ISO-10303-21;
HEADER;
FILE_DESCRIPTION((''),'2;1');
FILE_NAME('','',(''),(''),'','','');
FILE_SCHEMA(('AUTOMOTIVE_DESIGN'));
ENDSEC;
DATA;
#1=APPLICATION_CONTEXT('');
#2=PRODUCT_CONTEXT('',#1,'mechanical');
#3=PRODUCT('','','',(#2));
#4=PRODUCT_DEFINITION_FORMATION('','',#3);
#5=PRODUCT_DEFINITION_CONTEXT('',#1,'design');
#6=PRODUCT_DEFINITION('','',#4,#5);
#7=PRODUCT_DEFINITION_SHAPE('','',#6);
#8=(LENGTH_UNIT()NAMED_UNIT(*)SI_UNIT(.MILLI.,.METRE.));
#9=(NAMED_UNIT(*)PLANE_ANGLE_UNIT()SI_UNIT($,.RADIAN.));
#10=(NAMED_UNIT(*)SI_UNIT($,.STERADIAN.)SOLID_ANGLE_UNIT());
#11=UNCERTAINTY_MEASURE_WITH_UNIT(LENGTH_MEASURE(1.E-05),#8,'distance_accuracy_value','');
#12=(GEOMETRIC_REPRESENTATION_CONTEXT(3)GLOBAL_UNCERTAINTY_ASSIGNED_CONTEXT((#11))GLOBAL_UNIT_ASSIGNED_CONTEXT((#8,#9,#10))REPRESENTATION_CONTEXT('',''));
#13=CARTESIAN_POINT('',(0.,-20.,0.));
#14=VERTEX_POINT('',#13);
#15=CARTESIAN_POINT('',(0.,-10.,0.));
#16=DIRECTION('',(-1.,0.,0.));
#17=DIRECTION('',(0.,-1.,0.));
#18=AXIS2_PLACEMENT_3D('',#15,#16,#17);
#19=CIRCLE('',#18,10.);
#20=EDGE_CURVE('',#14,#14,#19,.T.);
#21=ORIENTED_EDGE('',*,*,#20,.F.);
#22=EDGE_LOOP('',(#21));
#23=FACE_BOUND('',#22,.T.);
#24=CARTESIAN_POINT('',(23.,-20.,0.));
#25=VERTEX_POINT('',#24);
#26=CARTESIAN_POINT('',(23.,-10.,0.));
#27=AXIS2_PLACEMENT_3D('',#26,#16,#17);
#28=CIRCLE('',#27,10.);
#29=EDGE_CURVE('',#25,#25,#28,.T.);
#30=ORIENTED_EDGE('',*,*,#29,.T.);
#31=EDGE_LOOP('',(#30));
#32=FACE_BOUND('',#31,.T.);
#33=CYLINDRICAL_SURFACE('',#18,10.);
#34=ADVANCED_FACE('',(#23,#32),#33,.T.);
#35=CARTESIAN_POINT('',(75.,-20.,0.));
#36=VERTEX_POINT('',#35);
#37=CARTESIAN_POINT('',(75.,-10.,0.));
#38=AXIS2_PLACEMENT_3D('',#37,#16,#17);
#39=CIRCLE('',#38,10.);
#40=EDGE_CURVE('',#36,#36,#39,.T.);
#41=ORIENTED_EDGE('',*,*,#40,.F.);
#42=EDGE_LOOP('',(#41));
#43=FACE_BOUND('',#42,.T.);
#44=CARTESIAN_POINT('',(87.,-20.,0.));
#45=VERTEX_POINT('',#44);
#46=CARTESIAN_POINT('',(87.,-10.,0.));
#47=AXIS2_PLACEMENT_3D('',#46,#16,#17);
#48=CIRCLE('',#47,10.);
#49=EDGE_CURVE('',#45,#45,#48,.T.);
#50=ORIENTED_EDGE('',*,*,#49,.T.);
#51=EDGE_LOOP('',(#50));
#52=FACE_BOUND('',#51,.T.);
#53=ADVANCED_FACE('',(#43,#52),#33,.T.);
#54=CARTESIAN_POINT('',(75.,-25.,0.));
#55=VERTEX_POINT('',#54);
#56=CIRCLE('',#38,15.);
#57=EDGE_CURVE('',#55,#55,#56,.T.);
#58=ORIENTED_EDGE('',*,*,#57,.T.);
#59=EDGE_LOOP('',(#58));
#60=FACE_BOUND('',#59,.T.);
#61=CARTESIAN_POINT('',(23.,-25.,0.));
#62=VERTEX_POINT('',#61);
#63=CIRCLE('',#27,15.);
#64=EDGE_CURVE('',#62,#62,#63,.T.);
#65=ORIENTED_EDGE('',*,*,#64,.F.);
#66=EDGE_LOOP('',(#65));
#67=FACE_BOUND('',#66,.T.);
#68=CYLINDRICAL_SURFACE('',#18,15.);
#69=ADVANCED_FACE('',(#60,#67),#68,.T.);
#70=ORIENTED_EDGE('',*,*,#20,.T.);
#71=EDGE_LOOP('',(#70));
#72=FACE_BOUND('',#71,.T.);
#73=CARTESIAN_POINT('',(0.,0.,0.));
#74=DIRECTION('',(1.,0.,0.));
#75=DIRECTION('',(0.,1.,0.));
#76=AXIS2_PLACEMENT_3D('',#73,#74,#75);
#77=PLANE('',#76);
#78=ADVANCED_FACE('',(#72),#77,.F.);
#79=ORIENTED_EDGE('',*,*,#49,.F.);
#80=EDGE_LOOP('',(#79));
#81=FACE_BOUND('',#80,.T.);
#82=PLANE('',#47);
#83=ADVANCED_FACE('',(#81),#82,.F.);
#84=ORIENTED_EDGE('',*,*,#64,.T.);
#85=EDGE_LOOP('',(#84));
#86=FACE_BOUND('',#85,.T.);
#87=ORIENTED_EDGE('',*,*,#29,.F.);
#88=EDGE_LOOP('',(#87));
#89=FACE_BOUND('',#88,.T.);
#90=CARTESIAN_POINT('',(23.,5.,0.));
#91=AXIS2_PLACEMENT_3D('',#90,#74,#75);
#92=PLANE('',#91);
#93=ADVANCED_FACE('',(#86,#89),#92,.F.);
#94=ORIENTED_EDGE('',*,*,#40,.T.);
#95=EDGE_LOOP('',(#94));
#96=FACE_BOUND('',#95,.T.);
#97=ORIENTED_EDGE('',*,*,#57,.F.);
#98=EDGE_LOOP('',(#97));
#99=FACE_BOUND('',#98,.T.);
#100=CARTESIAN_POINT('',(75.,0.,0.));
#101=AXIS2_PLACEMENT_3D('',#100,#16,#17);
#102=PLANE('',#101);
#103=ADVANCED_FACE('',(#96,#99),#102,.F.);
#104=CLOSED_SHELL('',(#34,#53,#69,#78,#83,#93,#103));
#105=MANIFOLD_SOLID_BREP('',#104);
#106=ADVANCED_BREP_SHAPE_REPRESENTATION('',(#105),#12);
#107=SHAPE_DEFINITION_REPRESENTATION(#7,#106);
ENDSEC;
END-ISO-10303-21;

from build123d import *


with BuildPart() as part:
    # Sketch1 → Revolve1 (revolve)
    with BuildSketch(Plane.XY):
        Polygon((0, 0), (0, -10), (87, -10), (87, 0), (75, 0), (75, 5), (23, 5), (23, 0), align=None)
    revolve(axis=Axis((0, -10, 0), (1, 0, 0)))


solid = part.part
